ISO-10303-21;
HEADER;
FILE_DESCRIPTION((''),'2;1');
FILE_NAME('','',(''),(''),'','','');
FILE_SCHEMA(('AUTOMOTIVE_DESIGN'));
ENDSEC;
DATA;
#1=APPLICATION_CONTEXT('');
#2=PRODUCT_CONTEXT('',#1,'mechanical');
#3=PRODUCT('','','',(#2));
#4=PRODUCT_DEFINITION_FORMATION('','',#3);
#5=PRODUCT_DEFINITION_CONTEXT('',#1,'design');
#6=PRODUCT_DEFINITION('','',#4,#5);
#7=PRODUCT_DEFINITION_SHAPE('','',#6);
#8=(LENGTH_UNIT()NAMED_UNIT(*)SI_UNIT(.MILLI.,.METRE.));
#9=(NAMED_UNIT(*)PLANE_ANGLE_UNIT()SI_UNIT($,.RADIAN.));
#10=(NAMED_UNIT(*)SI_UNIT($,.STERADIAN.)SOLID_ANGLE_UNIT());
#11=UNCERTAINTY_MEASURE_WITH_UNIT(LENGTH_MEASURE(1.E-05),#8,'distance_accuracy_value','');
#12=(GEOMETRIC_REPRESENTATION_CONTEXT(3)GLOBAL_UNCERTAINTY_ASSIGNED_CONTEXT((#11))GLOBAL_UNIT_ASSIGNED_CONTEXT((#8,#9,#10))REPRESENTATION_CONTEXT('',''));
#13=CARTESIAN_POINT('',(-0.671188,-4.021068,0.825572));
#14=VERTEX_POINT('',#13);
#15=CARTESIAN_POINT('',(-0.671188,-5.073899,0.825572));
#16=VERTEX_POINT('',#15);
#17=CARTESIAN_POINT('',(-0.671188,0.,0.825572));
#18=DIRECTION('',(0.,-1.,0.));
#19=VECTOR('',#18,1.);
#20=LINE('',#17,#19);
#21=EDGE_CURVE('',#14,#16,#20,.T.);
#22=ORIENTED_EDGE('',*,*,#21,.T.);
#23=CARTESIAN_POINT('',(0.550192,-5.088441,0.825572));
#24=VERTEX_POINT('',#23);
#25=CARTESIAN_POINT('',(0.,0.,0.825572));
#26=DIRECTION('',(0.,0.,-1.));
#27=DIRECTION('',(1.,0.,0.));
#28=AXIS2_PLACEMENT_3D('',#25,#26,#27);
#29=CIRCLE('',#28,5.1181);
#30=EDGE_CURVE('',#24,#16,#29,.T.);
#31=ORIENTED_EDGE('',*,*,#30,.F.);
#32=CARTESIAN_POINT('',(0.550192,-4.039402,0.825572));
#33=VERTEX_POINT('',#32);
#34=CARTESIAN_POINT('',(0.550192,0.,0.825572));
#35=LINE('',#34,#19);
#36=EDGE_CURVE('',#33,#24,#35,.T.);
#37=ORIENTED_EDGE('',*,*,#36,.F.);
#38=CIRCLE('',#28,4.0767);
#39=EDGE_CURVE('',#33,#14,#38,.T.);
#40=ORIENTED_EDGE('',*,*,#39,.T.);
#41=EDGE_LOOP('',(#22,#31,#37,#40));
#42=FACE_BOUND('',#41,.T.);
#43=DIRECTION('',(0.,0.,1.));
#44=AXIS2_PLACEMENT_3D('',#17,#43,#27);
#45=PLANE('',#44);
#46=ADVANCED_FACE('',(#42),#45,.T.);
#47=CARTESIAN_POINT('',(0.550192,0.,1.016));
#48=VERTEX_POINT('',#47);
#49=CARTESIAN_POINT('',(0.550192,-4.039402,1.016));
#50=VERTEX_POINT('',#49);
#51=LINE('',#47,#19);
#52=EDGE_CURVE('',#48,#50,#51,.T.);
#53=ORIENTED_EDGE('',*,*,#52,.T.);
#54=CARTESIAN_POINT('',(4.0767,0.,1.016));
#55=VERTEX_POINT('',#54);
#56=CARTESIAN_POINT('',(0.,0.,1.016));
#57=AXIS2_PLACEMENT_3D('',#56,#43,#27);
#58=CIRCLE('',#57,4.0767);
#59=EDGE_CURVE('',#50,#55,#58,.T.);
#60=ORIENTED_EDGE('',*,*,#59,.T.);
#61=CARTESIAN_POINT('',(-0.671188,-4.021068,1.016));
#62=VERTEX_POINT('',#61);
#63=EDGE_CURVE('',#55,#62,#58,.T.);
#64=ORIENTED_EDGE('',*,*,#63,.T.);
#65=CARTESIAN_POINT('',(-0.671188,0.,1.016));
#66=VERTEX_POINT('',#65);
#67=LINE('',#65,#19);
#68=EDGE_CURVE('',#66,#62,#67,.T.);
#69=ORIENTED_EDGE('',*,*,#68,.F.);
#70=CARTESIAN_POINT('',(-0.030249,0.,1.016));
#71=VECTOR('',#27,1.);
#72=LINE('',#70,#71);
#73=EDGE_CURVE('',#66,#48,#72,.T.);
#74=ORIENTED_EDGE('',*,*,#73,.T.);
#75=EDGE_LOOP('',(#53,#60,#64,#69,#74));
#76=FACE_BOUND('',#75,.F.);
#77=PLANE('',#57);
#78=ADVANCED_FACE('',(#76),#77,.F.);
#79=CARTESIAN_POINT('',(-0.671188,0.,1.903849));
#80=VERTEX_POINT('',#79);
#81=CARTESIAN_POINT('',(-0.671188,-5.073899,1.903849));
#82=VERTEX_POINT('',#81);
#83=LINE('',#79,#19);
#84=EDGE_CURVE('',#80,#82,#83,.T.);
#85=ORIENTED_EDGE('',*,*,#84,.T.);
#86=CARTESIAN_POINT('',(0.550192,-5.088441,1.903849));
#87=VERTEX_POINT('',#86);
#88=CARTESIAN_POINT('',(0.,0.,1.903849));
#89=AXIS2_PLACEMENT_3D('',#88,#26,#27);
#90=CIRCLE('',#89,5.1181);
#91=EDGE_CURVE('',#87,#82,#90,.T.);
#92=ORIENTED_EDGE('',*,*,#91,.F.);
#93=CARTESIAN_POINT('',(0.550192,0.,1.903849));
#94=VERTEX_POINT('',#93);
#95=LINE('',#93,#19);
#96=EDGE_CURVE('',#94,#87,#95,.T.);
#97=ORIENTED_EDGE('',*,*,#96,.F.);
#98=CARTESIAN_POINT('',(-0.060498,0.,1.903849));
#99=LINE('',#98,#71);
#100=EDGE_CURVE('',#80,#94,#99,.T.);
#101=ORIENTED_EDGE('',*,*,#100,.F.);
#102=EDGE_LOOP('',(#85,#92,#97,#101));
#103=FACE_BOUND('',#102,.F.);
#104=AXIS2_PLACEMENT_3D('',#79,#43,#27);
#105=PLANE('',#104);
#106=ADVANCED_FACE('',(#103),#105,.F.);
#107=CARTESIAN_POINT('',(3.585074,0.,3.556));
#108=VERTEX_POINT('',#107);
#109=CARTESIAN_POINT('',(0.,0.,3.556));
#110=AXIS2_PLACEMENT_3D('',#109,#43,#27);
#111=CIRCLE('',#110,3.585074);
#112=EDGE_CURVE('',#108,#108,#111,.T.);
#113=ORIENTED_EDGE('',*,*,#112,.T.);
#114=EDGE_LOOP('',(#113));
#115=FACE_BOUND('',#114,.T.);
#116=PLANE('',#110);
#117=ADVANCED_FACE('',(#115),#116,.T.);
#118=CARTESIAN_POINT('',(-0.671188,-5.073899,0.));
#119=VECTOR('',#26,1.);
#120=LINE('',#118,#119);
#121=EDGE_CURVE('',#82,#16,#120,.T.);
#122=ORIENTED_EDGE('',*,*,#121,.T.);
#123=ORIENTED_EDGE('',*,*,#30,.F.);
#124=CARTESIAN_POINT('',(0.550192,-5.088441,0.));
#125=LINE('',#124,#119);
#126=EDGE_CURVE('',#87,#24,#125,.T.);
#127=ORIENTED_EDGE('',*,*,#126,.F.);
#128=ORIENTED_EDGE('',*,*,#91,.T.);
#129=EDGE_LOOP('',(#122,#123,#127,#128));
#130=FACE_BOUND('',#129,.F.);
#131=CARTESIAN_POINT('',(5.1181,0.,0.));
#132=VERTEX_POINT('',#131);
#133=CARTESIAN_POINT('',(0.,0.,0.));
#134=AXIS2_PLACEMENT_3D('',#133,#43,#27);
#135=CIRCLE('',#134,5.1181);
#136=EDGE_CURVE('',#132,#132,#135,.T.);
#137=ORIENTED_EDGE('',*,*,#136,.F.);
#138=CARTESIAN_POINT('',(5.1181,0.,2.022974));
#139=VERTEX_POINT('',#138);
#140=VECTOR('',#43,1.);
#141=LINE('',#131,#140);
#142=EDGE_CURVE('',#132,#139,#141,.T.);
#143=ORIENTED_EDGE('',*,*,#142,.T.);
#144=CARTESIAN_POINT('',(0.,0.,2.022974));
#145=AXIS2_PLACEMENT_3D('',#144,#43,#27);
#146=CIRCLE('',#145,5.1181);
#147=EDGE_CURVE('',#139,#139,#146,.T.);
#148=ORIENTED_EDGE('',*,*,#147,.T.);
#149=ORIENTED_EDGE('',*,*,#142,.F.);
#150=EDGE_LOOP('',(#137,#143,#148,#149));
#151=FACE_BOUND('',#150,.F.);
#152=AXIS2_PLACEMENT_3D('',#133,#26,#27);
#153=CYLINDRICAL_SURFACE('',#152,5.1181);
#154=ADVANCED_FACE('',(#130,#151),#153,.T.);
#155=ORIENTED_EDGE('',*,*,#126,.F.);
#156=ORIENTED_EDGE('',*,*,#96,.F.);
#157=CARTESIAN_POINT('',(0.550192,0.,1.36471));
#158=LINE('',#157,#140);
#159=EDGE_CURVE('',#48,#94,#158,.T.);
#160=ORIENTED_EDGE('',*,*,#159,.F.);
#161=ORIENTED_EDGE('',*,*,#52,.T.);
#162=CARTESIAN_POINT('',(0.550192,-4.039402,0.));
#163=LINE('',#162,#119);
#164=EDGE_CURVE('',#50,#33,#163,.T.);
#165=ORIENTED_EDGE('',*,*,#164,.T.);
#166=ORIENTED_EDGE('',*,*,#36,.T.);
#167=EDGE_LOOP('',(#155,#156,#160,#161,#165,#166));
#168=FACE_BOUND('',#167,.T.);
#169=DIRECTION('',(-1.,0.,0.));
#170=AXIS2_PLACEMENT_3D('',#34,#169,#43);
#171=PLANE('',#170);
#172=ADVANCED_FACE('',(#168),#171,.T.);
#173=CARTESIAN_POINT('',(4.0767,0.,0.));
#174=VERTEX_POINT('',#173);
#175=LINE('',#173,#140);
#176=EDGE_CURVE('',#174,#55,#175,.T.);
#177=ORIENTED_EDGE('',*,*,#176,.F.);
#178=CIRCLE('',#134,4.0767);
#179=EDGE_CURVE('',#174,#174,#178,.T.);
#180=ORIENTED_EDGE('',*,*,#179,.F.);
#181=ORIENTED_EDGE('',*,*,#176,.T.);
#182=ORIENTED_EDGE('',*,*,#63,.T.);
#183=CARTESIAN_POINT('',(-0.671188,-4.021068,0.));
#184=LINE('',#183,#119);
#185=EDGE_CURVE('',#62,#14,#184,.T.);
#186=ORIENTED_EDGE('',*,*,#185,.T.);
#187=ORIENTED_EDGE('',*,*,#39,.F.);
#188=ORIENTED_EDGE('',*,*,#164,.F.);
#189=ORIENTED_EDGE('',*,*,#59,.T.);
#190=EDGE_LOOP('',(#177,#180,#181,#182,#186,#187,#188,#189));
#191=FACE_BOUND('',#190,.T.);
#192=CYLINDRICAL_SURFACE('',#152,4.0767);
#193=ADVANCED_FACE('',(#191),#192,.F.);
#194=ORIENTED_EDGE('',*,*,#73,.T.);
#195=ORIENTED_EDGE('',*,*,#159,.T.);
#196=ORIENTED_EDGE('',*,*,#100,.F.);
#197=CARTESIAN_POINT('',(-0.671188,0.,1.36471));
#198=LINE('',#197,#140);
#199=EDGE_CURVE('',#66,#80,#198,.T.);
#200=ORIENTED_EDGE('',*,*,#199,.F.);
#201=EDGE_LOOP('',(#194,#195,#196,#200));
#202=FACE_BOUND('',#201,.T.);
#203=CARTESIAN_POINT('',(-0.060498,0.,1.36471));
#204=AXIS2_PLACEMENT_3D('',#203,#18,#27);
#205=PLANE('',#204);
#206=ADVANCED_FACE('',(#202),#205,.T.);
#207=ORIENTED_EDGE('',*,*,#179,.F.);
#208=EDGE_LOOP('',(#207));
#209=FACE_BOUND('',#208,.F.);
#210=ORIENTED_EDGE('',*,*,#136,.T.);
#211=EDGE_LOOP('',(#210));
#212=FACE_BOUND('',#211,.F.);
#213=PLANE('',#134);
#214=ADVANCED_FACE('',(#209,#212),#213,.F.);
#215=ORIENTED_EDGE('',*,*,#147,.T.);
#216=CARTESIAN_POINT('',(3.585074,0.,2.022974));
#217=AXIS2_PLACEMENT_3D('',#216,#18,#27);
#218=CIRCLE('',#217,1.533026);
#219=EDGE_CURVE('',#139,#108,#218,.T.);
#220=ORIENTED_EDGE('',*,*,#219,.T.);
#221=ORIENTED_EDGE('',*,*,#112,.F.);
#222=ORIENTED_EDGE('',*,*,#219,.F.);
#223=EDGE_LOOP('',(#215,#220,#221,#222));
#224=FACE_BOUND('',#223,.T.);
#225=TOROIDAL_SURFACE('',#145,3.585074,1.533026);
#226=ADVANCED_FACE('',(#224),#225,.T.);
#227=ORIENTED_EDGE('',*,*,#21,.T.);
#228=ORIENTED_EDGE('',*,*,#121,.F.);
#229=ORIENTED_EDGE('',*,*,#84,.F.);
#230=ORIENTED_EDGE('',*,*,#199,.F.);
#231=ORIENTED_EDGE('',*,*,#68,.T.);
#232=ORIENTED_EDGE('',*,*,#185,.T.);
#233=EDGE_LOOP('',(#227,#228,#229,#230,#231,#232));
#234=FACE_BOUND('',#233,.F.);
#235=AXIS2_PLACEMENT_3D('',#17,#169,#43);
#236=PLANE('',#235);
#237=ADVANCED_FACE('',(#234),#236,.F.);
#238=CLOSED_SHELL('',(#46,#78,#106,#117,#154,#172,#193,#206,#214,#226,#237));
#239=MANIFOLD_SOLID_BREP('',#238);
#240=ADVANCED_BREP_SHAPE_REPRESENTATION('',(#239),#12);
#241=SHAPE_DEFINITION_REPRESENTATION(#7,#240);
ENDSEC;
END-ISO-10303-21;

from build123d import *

# Parameters (mm, degrees)
F0_R     = 5.1181
F1_DEPTH = 3.556
F2_R     = 4.0767
F3_DEPTH = 1.016
F4_R     = 1.533026
F5_W     = 1.221381
F5_H     = 1.078277
F6_DEPTH = 5.4864


with BuildPart() as f1:
    # F0 (on Top) → F1 (new body)
    with BuildSketch(Plane.XY):
        Circle(F0_R)
    extrude(amount=F1_DEPTH)

    # F2 (on Top) → F3 (cut)
    with BuildSketch(Plane.XY):
        Circle(F2_R)
    extrude(amount=F3_DEPTH, mode=Mode.SUBTRACT)

    # F4
    f4_edges = [f1.edges().sort_by_distance(p)[0] for p in [
        (-5.1181, 0, 3.556),
    ]]
    fillet(f4_edges, radius=F4_R)

    # F5 (on Front) → F6 (cut)
    with BuildSketch(Plane.XZ):
        with Locations((-0.060498, 1.36471)):
            Rectangle(F5_W, F5_H)
    extrude(amount=F6_DEPTH, mode=Mode.SUBTRACT)


solid = f1.part
